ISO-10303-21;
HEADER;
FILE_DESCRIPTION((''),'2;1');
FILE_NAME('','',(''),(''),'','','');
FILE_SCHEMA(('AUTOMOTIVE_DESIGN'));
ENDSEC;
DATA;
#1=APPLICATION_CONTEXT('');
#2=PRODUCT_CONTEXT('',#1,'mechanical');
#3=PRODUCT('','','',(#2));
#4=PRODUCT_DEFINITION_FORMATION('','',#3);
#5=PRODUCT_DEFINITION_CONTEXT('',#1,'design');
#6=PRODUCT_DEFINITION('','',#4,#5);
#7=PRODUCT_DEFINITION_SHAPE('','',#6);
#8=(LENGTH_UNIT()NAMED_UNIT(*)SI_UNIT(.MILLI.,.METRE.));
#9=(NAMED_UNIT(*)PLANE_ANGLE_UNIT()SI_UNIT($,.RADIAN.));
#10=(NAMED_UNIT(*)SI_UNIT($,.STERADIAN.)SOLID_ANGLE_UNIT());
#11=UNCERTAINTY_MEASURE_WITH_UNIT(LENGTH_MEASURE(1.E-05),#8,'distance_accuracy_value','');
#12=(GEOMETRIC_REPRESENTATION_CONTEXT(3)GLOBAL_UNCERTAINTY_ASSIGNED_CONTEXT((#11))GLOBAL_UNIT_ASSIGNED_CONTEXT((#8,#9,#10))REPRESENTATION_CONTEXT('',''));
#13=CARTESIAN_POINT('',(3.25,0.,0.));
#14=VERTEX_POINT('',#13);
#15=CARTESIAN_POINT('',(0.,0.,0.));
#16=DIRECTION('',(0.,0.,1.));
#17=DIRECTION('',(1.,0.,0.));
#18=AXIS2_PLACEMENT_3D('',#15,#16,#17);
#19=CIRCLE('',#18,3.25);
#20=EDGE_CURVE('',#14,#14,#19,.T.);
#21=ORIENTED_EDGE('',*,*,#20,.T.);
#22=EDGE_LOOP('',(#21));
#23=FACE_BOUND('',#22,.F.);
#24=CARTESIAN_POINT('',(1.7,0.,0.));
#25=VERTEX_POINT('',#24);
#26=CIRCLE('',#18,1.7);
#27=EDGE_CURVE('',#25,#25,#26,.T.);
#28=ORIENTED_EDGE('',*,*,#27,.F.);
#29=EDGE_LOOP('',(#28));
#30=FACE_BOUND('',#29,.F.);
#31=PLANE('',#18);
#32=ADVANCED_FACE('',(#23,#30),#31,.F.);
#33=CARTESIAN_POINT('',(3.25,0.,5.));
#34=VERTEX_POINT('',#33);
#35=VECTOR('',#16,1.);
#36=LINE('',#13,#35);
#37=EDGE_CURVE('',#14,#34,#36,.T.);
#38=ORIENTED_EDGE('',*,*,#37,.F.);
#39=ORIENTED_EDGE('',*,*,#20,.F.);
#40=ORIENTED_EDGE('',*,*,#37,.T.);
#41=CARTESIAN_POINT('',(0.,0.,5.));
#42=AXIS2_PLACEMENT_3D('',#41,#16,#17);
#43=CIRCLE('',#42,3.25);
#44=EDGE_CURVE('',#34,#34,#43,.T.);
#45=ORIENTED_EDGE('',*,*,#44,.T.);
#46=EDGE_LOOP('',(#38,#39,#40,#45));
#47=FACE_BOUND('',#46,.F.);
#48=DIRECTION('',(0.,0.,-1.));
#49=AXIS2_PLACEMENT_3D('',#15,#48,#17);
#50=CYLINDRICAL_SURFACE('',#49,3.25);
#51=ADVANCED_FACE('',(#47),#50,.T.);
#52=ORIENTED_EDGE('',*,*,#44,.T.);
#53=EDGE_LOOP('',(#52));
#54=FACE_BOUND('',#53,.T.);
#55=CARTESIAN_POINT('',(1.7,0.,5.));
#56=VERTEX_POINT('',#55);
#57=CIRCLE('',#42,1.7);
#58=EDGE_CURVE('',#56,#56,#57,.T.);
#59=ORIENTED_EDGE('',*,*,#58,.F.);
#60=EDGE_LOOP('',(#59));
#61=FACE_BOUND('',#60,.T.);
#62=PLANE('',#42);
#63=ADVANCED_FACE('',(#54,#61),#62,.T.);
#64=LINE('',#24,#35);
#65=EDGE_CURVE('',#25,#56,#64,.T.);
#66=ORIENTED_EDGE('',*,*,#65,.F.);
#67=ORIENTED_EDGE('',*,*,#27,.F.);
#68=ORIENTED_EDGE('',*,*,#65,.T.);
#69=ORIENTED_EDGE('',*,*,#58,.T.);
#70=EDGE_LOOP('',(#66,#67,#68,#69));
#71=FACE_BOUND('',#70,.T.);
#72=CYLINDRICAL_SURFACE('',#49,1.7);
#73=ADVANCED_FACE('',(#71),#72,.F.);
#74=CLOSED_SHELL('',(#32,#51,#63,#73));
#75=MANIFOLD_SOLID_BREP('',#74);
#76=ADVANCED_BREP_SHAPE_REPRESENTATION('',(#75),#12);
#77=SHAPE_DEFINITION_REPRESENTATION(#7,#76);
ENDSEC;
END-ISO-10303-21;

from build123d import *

# Parameters (mm, degrees)
CYLINDER001_R     = 1.7
CYLINDER001_DEPTH = 5
CYLINDER_R        = 3.25
CYLINDER_DEPTH    = 5


with BuildPart() as cylinder001:
    # Cylinder001 → Cylinder001 (new body)
    with BuildSketch(Plane.XY):
        Circle(CYLINDER001_R)
    extrude(amount=CYLINDER001_DEPTH)


with BuildPart() as cut:
    # Cylinder → Cylinder (new body)
    with BuildSketch(Plane.XY):
        Circle(CYLINDER_R)
    extrude(amount=CYLINDER_DEPTH)

    # Cut: cut Cylinder001
    add(cylinder001.part, mode=Mode.SUBTRACT)


solid = cut.part
